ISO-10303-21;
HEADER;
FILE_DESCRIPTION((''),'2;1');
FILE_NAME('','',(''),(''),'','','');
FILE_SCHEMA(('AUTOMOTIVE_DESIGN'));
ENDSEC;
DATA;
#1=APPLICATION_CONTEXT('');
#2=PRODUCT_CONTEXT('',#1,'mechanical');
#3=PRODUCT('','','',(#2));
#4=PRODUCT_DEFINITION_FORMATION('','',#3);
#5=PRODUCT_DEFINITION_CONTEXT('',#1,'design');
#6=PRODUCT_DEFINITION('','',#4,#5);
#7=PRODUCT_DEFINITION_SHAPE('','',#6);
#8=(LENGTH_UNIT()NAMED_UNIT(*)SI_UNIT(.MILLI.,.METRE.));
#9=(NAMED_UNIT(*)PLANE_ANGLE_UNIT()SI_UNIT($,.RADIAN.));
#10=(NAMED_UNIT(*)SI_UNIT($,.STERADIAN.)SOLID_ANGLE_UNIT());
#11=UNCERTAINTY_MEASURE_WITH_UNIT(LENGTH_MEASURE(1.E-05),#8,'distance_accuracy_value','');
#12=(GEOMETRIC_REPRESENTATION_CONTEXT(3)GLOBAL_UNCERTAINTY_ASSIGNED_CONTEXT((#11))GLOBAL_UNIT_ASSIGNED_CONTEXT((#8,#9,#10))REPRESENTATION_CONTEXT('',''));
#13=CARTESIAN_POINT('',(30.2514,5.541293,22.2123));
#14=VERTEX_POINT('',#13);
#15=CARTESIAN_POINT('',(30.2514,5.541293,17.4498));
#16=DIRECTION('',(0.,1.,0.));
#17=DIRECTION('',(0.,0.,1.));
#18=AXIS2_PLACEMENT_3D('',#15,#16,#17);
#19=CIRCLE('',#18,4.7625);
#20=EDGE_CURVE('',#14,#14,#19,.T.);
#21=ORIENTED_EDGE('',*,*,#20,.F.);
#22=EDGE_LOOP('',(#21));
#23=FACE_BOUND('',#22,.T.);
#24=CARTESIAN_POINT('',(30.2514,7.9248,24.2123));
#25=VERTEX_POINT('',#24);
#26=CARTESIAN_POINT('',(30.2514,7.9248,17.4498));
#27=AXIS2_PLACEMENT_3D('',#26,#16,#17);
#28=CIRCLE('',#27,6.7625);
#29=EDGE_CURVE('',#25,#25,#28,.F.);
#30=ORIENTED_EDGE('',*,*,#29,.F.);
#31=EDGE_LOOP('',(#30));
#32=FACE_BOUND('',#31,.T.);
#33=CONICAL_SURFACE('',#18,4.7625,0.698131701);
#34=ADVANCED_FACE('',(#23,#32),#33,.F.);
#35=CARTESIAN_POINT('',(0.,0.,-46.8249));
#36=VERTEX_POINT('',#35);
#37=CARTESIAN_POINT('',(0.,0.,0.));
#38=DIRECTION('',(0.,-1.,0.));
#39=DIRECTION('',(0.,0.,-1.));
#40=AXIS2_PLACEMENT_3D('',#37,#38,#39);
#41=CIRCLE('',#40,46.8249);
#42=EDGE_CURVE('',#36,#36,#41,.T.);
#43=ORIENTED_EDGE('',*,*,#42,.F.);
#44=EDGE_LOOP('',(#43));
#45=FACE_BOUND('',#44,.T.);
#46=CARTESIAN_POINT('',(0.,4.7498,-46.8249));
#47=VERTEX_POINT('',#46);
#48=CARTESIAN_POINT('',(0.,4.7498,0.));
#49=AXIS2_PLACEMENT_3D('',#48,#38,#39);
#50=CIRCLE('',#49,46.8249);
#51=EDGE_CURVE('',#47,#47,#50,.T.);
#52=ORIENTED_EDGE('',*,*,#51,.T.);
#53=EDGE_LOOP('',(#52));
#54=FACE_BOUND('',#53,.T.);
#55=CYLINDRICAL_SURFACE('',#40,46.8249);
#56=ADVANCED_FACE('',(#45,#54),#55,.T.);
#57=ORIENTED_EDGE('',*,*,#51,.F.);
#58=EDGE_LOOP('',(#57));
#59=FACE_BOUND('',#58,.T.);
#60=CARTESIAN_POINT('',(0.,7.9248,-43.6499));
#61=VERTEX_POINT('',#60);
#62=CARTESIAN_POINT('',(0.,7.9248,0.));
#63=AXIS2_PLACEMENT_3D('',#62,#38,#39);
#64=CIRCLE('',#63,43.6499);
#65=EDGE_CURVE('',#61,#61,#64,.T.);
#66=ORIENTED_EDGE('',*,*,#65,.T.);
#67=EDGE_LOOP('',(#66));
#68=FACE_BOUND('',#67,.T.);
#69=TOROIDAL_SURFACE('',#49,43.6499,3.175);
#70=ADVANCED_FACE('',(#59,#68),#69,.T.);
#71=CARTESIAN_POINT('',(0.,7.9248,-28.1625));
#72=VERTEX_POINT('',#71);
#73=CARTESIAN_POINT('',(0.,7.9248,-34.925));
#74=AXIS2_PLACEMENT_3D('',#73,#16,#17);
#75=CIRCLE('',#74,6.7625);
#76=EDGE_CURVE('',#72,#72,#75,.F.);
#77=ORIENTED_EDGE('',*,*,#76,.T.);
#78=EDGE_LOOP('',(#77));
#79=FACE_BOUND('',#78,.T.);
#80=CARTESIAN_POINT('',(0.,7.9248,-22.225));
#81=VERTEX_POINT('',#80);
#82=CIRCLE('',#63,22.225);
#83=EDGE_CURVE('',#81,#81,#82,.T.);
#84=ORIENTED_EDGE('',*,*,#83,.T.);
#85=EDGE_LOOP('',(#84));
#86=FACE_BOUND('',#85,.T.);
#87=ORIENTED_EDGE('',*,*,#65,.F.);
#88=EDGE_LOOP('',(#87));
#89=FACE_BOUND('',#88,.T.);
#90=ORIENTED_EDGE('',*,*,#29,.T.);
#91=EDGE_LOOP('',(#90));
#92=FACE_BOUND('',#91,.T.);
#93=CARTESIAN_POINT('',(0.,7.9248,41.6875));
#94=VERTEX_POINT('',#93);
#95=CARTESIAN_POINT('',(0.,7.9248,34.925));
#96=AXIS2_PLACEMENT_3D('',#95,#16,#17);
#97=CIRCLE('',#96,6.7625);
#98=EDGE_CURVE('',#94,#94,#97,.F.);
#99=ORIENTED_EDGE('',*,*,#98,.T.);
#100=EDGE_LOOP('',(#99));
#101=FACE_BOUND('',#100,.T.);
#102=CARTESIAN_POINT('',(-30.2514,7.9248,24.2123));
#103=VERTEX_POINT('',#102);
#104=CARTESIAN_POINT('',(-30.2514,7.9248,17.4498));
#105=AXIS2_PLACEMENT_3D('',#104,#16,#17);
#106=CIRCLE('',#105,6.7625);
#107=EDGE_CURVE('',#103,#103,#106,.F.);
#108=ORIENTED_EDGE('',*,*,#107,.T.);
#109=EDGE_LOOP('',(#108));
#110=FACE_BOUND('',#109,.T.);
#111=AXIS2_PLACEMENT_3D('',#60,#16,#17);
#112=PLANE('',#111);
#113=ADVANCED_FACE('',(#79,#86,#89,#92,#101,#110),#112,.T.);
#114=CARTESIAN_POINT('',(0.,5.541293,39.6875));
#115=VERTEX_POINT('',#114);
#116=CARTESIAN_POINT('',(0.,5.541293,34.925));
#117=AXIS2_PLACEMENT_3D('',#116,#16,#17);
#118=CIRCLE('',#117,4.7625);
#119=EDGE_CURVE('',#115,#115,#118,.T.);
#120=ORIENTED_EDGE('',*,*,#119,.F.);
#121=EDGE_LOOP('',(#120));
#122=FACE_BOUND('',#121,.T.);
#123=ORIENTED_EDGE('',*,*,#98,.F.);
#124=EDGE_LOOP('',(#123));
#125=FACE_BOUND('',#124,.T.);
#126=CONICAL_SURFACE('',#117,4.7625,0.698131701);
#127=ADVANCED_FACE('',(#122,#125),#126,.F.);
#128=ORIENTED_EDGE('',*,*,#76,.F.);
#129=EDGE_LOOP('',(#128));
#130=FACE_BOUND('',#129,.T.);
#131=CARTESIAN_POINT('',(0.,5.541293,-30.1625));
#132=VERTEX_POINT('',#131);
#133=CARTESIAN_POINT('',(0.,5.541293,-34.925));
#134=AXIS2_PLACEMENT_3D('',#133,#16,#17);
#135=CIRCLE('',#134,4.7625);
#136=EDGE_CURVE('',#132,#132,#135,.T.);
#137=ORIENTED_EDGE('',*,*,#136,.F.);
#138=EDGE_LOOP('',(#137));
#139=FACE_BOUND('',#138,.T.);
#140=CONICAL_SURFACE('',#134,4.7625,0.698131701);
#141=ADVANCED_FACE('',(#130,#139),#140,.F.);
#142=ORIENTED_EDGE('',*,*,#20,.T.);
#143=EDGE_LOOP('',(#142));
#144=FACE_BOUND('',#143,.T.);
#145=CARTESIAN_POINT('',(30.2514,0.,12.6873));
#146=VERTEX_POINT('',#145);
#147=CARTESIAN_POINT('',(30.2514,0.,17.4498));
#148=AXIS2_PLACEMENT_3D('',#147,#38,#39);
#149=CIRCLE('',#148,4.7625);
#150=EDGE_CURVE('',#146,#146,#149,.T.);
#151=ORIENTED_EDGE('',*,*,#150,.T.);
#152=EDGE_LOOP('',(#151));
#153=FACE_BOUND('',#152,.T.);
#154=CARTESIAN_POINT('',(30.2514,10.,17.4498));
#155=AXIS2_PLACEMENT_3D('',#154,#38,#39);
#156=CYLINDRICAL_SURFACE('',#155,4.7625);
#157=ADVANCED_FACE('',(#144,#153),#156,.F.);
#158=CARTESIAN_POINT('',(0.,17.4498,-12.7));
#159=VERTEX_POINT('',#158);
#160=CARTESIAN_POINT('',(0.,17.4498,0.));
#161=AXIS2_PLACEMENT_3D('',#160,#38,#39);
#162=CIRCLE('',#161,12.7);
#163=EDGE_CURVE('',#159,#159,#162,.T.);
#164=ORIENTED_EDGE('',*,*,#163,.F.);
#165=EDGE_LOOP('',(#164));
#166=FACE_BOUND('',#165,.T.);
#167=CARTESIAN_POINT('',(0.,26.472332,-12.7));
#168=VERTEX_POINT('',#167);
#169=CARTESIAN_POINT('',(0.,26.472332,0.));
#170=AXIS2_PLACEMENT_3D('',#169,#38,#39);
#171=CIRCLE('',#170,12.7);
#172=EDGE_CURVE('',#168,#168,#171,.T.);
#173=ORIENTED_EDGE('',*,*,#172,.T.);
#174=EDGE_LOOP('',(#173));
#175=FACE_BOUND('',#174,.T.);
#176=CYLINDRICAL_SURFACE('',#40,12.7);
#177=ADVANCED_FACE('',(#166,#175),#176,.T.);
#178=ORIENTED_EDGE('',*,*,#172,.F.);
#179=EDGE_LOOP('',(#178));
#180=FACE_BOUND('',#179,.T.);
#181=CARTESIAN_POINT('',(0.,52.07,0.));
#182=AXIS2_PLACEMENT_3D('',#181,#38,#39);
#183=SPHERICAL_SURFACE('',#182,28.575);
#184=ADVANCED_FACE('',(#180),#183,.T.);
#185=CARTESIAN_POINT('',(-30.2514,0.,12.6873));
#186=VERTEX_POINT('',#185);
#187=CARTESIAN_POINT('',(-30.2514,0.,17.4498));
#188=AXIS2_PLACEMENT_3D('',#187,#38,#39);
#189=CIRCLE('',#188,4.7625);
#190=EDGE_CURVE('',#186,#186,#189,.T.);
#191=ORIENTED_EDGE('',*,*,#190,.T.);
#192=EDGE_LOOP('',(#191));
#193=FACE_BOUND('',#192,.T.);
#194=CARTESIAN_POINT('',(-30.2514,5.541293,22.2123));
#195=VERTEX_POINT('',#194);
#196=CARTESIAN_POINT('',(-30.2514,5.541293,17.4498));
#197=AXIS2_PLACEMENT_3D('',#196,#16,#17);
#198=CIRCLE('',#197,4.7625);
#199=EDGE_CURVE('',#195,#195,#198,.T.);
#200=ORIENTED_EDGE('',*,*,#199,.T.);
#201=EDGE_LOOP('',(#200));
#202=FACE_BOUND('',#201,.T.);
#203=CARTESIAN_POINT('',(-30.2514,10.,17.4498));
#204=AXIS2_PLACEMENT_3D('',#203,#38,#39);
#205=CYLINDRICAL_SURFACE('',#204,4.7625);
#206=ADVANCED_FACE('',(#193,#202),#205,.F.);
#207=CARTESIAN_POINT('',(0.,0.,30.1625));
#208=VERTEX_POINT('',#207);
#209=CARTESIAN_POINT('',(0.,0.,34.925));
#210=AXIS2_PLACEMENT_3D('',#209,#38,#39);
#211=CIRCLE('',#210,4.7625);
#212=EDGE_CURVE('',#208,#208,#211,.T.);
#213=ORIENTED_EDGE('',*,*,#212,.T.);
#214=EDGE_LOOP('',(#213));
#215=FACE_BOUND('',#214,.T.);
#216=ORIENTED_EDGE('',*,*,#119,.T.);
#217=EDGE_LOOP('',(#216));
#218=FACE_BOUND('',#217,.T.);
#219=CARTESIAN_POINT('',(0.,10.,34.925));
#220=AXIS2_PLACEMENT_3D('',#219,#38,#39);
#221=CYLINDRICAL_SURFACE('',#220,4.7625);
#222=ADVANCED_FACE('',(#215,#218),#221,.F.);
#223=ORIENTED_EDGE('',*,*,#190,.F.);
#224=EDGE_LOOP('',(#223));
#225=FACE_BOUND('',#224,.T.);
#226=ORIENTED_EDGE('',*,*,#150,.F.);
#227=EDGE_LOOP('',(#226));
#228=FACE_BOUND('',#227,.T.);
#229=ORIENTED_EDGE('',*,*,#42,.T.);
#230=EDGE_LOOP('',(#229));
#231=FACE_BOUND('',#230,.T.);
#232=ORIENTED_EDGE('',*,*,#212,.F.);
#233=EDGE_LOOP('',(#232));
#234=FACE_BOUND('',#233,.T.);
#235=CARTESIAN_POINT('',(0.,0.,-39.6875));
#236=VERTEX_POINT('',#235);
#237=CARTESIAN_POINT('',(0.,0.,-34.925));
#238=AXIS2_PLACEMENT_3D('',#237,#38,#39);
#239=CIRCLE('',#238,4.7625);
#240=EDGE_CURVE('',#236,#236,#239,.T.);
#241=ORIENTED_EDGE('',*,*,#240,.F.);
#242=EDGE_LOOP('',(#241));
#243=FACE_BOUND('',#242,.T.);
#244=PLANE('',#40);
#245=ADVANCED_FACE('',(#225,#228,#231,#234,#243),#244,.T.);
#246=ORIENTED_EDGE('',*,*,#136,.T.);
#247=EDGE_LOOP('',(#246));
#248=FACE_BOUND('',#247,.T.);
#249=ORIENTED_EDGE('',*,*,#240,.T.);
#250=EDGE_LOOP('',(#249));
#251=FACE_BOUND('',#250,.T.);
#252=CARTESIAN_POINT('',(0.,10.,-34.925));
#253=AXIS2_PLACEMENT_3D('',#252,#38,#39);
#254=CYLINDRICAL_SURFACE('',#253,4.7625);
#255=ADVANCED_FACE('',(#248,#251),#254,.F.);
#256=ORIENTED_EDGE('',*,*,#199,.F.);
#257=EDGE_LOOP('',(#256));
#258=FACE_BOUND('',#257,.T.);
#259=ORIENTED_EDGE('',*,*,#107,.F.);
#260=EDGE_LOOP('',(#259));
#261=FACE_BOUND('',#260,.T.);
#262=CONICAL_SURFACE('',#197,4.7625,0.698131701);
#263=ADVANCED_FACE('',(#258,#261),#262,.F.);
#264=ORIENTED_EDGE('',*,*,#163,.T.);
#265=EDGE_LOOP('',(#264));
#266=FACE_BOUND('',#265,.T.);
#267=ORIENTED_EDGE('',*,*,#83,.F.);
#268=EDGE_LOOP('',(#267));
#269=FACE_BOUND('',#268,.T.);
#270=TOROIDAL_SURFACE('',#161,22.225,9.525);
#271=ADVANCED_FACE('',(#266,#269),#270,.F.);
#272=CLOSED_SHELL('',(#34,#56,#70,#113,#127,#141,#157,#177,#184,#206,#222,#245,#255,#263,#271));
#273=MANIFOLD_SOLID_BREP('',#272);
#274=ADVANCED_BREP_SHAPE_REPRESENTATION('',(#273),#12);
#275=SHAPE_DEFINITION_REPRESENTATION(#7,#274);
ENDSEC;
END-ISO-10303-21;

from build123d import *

# Parameters (mm, degrees)
SKETCH3_R          = 4.7625
CUT_EXTRUDE1_DEPTH = 10
CHAMFER1_SIZE      = 2
CHAMFER1_SIZE2     = 2.383507185


with BuildPart() as part:
    # Sketch1 → Revolve1 (revolve)
    with BuildSketch(Plane(origin=(0, 0, 0), x_dir=(0, 0, -1), z_dir=(1, 0, 0))):
        with BuildLine():
            Line((0, 0), (46.8249, 0))
            Line((46.8249, 0), (46.8249, 4.7498))
            ThreePointArc((46.8249, 4.7498), (45.89496403, 6.99486403), (43.6499, 7.9248))
            Line((43.6499, 7.9248), (22.225, 7.9248))
            ThreePointArc((22.225, 7.9248), (15.489807909, 10.714607909), (12.7, 17.4498))
            Line((12.7, 17.4498), (12.7, 26.472331649))
            ThreePointArc((12.7, 26.472331649), (27.820711692, 58.592164207), (0, 80.645))
            Line((0, 80.645), (0, 0))
        make_face()
    revolve(axis=Axis((0, 0, 0), (0, 1, 0)))

    # Sketch3 → Cut-Extrude1 (cut)
    with BuildSketch(Plane.XZ):
        with Locations(Location((-30.2514, 17.4498, 0), (0, 0, 270))):
            Circle(SKETCH3_R)
        with Locations(Location((30.2514, 17.4498, 0), (0, 0, 270))):
            Circle(SKETCH3_R)
        with Locations(Location((0, -34.925, 0), (0, 0, 270))):
            Circle(SKETCH3_R)
        with Locations(Location((0, 34.925, 0), (0, 0, 270))):
            Circle(SKETCH3_R)
    extrude(amount=-CUT_EXTRUDE1_DEPTH, mode=Mode.SUBTRACT)

    # Chamfer1
    chamfer1_edges = [part.edges().sort_by_distance(p)[0] for p in [
        (-30.2514, 7.9248, 22.2123),
        (30.2514, 7.9248, 22.2123),
        (0, 7.9248, -30.1625),
        (0, 7.9248, 39.6875),
    ]]
    chamfer1_side = [part.faces().sort_by_distance(p)[0] for p in [
        (0, 7.9248, 42.415294388),
    ]]
    chamfer(chamfer1_edges, length=CHAMFER1_SIZE, length2=CHAMFER1_SIZE2, reference=chamfer1_side[0])


solid = part.part
